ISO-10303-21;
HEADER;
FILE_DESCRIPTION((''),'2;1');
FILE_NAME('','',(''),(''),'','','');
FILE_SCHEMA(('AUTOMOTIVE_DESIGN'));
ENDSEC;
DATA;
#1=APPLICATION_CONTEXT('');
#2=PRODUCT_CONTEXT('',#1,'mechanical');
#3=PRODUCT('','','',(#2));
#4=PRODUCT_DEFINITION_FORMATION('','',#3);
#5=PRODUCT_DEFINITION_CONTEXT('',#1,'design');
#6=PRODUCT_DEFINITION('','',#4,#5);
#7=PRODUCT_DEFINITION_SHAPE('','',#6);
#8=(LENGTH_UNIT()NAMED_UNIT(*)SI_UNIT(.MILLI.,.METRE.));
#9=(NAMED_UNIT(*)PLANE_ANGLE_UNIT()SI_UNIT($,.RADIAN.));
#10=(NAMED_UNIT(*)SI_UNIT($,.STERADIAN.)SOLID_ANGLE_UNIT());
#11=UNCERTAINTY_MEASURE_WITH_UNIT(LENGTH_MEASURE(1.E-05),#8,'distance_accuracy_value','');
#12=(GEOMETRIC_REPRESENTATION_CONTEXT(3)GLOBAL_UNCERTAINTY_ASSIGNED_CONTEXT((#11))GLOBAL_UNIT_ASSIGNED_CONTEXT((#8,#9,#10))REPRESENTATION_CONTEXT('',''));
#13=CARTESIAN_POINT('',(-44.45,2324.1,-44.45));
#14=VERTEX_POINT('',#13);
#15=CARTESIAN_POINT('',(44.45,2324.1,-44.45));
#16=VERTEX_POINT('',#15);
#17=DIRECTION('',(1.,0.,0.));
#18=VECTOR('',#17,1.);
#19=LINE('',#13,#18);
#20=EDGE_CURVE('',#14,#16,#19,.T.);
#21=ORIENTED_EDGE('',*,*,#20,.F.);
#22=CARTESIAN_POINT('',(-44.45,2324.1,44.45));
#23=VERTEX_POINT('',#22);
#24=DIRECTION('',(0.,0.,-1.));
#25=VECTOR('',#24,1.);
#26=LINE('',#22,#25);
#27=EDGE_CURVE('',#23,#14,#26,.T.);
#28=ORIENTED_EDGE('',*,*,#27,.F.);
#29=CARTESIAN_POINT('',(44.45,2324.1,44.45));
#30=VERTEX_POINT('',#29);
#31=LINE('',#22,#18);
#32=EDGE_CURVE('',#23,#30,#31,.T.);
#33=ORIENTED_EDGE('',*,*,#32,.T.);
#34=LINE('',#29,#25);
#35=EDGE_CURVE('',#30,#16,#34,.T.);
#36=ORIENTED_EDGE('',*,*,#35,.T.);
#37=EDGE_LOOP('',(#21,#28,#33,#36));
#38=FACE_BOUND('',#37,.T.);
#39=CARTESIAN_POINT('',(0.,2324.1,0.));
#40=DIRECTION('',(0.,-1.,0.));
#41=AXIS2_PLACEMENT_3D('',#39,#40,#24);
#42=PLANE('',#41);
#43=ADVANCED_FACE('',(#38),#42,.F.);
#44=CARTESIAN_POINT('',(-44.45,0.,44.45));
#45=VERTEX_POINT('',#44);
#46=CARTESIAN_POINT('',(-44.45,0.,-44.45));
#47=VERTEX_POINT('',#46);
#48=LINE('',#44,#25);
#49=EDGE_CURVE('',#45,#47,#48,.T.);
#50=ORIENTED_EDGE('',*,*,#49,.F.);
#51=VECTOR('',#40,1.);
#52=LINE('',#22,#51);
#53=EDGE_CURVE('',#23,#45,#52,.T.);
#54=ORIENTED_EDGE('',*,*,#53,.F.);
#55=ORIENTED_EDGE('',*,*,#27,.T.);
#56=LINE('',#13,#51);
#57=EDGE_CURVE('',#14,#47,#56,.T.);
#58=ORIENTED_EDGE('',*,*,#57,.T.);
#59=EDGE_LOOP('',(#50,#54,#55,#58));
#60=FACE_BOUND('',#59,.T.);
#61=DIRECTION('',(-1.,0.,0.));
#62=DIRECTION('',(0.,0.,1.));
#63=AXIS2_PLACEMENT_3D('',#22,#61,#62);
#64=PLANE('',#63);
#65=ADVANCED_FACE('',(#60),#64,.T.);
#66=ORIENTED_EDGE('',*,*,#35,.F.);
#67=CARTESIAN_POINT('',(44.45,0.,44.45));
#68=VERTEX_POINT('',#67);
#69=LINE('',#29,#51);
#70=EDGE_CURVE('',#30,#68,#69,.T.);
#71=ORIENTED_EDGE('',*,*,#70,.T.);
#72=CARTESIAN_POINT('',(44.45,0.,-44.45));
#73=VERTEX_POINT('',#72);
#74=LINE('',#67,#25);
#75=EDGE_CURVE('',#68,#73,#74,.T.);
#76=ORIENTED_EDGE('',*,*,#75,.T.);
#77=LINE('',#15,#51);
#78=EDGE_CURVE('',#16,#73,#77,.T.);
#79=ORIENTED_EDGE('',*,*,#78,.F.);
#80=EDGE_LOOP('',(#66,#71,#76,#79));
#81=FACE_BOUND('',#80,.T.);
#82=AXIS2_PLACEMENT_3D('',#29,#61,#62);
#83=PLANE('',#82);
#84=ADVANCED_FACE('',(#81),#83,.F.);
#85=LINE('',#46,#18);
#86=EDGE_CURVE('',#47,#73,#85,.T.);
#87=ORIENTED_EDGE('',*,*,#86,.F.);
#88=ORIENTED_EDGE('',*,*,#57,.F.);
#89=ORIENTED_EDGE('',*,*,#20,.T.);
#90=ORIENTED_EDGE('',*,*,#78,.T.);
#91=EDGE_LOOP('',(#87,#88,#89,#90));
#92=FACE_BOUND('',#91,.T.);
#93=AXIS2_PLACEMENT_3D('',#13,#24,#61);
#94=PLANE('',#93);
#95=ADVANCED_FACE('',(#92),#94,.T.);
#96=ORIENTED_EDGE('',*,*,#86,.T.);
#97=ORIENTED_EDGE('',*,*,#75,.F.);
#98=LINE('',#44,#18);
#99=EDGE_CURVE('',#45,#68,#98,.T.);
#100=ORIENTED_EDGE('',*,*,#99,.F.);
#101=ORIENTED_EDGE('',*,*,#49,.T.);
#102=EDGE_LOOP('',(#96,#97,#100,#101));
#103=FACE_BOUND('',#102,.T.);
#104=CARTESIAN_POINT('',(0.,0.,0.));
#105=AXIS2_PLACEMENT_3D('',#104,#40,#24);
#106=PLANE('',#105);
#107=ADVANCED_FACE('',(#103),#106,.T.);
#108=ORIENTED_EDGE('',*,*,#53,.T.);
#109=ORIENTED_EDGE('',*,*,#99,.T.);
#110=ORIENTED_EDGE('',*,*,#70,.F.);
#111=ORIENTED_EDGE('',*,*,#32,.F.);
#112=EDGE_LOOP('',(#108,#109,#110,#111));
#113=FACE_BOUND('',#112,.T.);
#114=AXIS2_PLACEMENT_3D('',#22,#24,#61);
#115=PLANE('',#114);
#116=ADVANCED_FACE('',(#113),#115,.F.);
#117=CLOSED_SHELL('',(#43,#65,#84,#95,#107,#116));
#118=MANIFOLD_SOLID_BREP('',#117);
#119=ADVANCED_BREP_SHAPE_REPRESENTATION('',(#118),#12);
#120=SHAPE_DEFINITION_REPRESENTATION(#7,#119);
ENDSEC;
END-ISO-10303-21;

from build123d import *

# Parameters (mm, degrees)
SKETCH1_W           = 88.9
SKETCH1_H           = 88.9
BOSS_EXTRUDE1_DEPTH = 2324.1


with BuildPart() as part:
    # Sketch1 → Boss-Extrude1 (new body)
    with BuildSketch(Plane(origin=(0, 0, 0), x_dir=(1, 0, 0), z_dir=(0, 1, 0))):
        Rectangle(SKETCH1_W, SKETCH1_H)
    extrude(amount=BOSS_EXTRUDE1_DEPTH)


solid = part.part
